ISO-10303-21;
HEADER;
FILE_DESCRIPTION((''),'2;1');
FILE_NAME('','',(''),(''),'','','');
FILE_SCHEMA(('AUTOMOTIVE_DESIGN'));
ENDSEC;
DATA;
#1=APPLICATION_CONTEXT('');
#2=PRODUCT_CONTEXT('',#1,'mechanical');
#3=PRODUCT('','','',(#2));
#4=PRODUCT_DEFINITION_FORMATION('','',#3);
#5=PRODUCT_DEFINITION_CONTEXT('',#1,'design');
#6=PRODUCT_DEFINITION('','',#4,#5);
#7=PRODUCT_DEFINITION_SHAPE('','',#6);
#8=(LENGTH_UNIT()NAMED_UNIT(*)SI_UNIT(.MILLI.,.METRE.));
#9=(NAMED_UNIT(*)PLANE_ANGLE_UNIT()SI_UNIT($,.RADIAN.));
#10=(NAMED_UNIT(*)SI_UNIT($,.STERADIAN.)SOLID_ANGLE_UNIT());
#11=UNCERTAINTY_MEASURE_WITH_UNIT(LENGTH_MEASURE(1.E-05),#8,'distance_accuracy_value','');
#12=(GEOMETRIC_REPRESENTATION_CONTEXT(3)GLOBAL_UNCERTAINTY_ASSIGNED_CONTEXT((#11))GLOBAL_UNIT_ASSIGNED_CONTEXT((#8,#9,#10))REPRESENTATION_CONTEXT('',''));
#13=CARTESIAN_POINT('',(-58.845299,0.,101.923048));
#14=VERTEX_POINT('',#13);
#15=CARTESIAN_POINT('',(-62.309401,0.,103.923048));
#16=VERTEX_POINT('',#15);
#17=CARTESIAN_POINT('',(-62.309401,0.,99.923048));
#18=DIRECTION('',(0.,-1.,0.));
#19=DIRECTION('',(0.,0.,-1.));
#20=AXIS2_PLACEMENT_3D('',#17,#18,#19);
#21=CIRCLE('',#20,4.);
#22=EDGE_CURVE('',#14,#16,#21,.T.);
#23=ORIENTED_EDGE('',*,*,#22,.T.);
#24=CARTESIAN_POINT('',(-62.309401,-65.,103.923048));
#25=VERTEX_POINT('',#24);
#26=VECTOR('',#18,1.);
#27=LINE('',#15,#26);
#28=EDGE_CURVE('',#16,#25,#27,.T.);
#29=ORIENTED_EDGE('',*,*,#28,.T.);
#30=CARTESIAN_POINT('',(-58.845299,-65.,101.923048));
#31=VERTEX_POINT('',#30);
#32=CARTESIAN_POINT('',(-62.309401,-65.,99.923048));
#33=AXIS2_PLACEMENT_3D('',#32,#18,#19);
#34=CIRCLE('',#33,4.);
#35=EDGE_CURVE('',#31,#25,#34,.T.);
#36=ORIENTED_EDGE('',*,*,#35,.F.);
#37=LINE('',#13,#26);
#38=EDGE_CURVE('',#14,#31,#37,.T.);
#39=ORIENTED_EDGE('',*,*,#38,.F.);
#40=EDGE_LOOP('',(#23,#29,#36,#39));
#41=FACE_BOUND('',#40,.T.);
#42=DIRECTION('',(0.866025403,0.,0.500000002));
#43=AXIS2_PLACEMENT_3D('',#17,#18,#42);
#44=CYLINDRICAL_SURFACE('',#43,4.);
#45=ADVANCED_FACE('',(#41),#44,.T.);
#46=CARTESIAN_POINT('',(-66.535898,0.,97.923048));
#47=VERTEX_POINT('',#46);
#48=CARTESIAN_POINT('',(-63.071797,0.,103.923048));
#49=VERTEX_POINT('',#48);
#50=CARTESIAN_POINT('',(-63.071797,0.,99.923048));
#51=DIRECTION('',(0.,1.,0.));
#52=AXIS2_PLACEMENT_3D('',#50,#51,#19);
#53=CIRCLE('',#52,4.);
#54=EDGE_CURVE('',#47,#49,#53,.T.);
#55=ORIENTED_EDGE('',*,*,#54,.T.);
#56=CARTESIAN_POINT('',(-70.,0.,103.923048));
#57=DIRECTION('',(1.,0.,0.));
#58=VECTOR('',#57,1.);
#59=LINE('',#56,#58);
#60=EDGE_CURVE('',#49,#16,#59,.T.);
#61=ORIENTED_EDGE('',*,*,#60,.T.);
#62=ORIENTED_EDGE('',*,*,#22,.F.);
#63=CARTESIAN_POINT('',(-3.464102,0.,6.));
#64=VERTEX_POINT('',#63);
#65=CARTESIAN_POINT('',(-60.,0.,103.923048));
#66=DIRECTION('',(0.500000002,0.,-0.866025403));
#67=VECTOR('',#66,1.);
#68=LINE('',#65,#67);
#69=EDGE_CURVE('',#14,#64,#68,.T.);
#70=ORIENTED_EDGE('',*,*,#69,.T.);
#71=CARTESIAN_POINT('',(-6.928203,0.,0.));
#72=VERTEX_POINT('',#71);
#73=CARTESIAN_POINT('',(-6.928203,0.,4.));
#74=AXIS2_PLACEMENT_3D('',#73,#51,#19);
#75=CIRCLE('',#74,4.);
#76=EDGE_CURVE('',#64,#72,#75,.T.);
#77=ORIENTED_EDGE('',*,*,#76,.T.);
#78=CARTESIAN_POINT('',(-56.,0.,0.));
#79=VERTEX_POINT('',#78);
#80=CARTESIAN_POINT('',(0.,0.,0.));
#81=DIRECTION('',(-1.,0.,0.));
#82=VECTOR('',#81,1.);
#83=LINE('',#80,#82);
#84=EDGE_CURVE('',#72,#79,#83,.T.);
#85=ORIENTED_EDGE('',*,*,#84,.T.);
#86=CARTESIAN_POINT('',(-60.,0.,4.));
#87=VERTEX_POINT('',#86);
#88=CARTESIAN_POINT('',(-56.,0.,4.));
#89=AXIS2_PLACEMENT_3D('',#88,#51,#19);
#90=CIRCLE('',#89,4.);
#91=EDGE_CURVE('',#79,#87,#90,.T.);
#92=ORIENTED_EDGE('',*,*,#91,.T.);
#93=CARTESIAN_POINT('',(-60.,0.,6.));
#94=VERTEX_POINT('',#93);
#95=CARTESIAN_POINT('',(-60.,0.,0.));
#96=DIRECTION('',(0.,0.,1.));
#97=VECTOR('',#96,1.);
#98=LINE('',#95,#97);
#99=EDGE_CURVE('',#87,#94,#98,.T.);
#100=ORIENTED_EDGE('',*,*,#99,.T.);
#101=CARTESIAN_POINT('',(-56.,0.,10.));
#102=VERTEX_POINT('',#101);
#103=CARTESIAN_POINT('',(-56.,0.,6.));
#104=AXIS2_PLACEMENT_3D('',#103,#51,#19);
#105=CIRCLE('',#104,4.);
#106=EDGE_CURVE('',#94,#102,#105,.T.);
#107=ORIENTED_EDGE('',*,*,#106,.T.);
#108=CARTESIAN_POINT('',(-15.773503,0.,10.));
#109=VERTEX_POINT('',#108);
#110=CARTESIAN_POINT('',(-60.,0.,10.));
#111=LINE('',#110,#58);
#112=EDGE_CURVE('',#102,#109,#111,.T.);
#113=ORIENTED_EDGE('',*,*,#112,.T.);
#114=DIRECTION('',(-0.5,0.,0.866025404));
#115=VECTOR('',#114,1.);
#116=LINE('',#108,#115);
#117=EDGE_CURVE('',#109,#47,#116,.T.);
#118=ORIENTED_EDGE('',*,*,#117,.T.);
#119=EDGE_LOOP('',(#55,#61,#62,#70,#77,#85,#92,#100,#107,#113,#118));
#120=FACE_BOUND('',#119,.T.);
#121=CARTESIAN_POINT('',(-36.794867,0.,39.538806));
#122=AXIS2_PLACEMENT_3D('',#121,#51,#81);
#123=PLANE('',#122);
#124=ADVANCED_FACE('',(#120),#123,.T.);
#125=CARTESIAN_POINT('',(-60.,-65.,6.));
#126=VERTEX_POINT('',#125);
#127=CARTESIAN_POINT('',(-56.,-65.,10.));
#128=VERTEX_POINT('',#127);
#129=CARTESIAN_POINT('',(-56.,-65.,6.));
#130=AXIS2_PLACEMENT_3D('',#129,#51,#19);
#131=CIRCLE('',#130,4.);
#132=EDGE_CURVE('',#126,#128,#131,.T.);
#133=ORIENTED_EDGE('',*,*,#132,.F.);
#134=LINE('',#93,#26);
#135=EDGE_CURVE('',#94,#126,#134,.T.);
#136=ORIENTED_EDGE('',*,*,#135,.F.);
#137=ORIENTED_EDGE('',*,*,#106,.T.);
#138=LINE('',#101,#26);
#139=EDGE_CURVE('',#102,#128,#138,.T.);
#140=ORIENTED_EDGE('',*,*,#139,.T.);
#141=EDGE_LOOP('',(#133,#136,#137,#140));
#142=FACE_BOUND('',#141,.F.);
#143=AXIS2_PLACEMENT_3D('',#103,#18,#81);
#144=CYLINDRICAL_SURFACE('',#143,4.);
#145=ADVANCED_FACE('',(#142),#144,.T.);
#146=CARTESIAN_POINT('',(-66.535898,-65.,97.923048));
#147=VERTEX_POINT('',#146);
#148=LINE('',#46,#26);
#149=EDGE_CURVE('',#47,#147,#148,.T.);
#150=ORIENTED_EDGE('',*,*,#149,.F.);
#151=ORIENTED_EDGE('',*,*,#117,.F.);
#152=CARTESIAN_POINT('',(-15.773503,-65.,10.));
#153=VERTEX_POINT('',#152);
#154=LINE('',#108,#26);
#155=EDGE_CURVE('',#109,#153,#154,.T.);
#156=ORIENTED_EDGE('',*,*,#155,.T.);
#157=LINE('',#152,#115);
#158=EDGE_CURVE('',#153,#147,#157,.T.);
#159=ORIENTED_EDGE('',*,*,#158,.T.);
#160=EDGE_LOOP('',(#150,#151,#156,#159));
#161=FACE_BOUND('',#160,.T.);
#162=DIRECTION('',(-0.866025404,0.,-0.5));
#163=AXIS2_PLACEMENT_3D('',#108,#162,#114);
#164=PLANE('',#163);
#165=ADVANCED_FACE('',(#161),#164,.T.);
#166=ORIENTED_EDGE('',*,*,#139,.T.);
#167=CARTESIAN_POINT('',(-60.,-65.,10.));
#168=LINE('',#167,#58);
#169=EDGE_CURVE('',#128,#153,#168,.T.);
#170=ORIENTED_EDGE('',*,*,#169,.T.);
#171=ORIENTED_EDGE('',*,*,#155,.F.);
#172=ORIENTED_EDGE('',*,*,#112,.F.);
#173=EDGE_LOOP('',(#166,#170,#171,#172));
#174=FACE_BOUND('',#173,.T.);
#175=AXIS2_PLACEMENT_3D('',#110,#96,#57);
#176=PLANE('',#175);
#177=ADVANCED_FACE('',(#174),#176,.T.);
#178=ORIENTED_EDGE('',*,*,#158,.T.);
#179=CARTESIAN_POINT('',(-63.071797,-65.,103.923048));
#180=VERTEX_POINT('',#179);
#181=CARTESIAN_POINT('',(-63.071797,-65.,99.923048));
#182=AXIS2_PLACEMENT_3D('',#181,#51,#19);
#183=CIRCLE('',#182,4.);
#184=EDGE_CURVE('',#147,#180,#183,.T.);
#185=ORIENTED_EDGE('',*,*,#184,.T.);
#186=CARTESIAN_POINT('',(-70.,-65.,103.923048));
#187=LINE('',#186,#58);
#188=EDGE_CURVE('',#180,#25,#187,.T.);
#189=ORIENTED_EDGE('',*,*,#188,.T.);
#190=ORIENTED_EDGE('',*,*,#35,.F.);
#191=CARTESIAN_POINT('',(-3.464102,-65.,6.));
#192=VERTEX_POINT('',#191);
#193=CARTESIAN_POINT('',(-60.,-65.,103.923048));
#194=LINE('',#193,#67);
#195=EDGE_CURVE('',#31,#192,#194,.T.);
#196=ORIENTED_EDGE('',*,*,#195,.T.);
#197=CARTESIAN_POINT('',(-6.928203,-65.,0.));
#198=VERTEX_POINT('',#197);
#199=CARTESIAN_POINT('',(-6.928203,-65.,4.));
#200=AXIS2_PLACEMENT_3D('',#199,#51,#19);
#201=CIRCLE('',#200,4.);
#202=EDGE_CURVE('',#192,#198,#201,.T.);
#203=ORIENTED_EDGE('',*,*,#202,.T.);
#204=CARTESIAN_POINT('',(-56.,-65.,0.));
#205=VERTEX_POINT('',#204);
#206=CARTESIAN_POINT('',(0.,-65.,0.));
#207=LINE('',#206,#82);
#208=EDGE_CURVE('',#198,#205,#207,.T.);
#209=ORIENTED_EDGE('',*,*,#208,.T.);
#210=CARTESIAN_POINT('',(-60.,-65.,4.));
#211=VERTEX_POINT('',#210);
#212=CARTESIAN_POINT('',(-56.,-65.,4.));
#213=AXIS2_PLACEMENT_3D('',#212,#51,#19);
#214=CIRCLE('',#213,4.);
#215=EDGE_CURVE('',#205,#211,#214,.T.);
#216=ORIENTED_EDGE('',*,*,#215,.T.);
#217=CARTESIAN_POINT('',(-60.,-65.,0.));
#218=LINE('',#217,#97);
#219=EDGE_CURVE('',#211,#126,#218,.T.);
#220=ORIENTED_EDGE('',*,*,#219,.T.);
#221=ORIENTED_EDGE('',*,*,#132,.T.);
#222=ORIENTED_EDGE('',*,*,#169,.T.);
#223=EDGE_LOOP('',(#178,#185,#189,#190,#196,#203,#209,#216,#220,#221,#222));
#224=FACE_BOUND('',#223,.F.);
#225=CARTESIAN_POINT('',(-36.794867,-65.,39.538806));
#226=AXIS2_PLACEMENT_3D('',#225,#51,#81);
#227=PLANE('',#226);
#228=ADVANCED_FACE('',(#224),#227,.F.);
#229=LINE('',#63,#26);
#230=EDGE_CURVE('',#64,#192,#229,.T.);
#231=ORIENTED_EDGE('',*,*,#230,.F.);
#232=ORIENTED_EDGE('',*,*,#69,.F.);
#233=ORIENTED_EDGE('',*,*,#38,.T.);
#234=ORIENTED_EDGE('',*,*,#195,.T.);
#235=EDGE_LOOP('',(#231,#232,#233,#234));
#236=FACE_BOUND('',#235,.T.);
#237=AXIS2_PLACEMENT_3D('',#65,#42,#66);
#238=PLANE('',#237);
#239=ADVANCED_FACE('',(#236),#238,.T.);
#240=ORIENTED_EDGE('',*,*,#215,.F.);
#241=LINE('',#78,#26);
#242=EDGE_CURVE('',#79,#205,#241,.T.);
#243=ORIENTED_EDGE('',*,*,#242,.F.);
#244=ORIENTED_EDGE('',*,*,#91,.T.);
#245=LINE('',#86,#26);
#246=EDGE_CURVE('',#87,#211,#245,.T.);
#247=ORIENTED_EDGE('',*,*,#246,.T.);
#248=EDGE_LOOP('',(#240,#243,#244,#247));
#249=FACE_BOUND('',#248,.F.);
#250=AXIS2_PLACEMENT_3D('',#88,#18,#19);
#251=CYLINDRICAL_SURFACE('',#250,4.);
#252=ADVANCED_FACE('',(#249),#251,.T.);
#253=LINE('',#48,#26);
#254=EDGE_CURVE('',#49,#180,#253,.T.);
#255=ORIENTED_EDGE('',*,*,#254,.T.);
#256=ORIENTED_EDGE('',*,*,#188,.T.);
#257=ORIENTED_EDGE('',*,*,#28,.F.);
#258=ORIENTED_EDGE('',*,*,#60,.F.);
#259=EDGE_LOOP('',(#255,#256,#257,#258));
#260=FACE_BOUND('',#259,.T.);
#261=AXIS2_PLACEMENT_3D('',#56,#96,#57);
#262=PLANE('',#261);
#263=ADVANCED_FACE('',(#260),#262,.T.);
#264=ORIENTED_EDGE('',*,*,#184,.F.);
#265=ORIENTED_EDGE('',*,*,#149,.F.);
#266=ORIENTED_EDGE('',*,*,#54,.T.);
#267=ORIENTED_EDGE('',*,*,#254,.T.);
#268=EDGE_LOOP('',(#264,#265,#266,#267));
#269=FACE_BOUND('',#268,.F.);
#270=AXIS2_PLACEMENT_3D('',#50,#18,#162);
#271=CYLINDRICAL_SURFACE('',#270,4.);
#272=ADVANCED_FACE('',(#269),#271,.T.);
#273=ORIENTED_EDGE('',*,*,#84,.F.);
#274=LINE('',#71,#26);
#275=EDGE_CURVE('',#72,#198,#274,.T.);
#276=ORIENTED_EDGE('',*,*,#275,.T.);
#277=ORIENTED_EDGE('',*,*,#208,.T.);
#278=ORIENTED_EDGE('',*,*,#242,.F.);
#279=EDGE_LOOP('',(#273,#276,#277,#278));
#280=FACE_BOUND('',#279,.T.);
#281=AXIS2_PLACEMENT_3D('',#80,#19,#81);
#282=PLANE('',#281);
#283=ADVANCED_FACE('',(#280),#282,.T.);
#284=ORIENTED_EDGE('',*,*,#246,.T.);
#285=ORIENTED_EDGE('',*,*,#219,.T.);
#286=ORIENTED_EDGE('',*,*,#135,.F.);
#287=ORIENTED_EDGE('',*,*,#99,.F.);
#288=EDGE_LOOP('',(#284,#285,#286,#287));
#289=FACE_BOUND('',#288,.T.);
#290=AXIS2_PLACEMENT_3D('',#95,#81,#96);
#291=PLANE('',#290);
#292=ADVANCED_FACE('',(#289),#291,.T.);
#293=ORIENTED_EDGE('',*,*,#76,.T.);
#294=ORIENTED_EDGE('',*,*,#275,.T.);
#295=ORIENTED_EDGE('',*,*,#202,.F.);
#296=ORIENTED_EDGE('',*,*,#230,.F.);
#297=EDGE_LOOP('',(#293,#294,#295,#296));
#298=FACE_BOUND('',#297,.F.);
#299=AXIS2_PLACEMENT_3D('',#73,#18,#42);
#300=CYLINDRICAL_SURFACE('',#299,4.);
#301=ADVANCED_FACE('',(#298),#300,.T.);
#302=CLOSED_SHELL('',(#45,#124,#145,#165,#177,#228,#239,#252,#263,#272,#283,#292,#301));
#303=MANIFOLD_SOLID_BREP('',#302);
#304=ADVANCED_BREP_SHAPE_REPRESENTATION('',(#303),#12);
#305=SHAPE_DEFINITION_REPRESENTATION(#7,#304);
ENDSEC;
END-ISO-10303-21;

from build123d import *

# Parameters (mm, degrees)
PAD_DEPTH = 65
FILLET_R  = 4


with BuildPart() as part:
    # Sketch → Pad (new body)
    with BuildSketch(Plane.XZ):
        Polygon((-60, 103.923048), (0, 0), (-60, 0), (-60, 10), (-15.773503, 10), (-70, 103.923048), align=None)
    extrude(amount=PAD_DEPTH)

    # Fillet
    fillet_edges = [part.edges().sort_by_distance(p)[0] for p in [
        (0, -32.5, 0),
        (-60, -32.5, 0),
        (-60, -32.5, 10),
        (-70, -32.5, 103.923048),
        (-60, -32.5, 103.923048),
    ]]
    fillet(fillet_edges, radius=FILLET_R)


solid = part.part
